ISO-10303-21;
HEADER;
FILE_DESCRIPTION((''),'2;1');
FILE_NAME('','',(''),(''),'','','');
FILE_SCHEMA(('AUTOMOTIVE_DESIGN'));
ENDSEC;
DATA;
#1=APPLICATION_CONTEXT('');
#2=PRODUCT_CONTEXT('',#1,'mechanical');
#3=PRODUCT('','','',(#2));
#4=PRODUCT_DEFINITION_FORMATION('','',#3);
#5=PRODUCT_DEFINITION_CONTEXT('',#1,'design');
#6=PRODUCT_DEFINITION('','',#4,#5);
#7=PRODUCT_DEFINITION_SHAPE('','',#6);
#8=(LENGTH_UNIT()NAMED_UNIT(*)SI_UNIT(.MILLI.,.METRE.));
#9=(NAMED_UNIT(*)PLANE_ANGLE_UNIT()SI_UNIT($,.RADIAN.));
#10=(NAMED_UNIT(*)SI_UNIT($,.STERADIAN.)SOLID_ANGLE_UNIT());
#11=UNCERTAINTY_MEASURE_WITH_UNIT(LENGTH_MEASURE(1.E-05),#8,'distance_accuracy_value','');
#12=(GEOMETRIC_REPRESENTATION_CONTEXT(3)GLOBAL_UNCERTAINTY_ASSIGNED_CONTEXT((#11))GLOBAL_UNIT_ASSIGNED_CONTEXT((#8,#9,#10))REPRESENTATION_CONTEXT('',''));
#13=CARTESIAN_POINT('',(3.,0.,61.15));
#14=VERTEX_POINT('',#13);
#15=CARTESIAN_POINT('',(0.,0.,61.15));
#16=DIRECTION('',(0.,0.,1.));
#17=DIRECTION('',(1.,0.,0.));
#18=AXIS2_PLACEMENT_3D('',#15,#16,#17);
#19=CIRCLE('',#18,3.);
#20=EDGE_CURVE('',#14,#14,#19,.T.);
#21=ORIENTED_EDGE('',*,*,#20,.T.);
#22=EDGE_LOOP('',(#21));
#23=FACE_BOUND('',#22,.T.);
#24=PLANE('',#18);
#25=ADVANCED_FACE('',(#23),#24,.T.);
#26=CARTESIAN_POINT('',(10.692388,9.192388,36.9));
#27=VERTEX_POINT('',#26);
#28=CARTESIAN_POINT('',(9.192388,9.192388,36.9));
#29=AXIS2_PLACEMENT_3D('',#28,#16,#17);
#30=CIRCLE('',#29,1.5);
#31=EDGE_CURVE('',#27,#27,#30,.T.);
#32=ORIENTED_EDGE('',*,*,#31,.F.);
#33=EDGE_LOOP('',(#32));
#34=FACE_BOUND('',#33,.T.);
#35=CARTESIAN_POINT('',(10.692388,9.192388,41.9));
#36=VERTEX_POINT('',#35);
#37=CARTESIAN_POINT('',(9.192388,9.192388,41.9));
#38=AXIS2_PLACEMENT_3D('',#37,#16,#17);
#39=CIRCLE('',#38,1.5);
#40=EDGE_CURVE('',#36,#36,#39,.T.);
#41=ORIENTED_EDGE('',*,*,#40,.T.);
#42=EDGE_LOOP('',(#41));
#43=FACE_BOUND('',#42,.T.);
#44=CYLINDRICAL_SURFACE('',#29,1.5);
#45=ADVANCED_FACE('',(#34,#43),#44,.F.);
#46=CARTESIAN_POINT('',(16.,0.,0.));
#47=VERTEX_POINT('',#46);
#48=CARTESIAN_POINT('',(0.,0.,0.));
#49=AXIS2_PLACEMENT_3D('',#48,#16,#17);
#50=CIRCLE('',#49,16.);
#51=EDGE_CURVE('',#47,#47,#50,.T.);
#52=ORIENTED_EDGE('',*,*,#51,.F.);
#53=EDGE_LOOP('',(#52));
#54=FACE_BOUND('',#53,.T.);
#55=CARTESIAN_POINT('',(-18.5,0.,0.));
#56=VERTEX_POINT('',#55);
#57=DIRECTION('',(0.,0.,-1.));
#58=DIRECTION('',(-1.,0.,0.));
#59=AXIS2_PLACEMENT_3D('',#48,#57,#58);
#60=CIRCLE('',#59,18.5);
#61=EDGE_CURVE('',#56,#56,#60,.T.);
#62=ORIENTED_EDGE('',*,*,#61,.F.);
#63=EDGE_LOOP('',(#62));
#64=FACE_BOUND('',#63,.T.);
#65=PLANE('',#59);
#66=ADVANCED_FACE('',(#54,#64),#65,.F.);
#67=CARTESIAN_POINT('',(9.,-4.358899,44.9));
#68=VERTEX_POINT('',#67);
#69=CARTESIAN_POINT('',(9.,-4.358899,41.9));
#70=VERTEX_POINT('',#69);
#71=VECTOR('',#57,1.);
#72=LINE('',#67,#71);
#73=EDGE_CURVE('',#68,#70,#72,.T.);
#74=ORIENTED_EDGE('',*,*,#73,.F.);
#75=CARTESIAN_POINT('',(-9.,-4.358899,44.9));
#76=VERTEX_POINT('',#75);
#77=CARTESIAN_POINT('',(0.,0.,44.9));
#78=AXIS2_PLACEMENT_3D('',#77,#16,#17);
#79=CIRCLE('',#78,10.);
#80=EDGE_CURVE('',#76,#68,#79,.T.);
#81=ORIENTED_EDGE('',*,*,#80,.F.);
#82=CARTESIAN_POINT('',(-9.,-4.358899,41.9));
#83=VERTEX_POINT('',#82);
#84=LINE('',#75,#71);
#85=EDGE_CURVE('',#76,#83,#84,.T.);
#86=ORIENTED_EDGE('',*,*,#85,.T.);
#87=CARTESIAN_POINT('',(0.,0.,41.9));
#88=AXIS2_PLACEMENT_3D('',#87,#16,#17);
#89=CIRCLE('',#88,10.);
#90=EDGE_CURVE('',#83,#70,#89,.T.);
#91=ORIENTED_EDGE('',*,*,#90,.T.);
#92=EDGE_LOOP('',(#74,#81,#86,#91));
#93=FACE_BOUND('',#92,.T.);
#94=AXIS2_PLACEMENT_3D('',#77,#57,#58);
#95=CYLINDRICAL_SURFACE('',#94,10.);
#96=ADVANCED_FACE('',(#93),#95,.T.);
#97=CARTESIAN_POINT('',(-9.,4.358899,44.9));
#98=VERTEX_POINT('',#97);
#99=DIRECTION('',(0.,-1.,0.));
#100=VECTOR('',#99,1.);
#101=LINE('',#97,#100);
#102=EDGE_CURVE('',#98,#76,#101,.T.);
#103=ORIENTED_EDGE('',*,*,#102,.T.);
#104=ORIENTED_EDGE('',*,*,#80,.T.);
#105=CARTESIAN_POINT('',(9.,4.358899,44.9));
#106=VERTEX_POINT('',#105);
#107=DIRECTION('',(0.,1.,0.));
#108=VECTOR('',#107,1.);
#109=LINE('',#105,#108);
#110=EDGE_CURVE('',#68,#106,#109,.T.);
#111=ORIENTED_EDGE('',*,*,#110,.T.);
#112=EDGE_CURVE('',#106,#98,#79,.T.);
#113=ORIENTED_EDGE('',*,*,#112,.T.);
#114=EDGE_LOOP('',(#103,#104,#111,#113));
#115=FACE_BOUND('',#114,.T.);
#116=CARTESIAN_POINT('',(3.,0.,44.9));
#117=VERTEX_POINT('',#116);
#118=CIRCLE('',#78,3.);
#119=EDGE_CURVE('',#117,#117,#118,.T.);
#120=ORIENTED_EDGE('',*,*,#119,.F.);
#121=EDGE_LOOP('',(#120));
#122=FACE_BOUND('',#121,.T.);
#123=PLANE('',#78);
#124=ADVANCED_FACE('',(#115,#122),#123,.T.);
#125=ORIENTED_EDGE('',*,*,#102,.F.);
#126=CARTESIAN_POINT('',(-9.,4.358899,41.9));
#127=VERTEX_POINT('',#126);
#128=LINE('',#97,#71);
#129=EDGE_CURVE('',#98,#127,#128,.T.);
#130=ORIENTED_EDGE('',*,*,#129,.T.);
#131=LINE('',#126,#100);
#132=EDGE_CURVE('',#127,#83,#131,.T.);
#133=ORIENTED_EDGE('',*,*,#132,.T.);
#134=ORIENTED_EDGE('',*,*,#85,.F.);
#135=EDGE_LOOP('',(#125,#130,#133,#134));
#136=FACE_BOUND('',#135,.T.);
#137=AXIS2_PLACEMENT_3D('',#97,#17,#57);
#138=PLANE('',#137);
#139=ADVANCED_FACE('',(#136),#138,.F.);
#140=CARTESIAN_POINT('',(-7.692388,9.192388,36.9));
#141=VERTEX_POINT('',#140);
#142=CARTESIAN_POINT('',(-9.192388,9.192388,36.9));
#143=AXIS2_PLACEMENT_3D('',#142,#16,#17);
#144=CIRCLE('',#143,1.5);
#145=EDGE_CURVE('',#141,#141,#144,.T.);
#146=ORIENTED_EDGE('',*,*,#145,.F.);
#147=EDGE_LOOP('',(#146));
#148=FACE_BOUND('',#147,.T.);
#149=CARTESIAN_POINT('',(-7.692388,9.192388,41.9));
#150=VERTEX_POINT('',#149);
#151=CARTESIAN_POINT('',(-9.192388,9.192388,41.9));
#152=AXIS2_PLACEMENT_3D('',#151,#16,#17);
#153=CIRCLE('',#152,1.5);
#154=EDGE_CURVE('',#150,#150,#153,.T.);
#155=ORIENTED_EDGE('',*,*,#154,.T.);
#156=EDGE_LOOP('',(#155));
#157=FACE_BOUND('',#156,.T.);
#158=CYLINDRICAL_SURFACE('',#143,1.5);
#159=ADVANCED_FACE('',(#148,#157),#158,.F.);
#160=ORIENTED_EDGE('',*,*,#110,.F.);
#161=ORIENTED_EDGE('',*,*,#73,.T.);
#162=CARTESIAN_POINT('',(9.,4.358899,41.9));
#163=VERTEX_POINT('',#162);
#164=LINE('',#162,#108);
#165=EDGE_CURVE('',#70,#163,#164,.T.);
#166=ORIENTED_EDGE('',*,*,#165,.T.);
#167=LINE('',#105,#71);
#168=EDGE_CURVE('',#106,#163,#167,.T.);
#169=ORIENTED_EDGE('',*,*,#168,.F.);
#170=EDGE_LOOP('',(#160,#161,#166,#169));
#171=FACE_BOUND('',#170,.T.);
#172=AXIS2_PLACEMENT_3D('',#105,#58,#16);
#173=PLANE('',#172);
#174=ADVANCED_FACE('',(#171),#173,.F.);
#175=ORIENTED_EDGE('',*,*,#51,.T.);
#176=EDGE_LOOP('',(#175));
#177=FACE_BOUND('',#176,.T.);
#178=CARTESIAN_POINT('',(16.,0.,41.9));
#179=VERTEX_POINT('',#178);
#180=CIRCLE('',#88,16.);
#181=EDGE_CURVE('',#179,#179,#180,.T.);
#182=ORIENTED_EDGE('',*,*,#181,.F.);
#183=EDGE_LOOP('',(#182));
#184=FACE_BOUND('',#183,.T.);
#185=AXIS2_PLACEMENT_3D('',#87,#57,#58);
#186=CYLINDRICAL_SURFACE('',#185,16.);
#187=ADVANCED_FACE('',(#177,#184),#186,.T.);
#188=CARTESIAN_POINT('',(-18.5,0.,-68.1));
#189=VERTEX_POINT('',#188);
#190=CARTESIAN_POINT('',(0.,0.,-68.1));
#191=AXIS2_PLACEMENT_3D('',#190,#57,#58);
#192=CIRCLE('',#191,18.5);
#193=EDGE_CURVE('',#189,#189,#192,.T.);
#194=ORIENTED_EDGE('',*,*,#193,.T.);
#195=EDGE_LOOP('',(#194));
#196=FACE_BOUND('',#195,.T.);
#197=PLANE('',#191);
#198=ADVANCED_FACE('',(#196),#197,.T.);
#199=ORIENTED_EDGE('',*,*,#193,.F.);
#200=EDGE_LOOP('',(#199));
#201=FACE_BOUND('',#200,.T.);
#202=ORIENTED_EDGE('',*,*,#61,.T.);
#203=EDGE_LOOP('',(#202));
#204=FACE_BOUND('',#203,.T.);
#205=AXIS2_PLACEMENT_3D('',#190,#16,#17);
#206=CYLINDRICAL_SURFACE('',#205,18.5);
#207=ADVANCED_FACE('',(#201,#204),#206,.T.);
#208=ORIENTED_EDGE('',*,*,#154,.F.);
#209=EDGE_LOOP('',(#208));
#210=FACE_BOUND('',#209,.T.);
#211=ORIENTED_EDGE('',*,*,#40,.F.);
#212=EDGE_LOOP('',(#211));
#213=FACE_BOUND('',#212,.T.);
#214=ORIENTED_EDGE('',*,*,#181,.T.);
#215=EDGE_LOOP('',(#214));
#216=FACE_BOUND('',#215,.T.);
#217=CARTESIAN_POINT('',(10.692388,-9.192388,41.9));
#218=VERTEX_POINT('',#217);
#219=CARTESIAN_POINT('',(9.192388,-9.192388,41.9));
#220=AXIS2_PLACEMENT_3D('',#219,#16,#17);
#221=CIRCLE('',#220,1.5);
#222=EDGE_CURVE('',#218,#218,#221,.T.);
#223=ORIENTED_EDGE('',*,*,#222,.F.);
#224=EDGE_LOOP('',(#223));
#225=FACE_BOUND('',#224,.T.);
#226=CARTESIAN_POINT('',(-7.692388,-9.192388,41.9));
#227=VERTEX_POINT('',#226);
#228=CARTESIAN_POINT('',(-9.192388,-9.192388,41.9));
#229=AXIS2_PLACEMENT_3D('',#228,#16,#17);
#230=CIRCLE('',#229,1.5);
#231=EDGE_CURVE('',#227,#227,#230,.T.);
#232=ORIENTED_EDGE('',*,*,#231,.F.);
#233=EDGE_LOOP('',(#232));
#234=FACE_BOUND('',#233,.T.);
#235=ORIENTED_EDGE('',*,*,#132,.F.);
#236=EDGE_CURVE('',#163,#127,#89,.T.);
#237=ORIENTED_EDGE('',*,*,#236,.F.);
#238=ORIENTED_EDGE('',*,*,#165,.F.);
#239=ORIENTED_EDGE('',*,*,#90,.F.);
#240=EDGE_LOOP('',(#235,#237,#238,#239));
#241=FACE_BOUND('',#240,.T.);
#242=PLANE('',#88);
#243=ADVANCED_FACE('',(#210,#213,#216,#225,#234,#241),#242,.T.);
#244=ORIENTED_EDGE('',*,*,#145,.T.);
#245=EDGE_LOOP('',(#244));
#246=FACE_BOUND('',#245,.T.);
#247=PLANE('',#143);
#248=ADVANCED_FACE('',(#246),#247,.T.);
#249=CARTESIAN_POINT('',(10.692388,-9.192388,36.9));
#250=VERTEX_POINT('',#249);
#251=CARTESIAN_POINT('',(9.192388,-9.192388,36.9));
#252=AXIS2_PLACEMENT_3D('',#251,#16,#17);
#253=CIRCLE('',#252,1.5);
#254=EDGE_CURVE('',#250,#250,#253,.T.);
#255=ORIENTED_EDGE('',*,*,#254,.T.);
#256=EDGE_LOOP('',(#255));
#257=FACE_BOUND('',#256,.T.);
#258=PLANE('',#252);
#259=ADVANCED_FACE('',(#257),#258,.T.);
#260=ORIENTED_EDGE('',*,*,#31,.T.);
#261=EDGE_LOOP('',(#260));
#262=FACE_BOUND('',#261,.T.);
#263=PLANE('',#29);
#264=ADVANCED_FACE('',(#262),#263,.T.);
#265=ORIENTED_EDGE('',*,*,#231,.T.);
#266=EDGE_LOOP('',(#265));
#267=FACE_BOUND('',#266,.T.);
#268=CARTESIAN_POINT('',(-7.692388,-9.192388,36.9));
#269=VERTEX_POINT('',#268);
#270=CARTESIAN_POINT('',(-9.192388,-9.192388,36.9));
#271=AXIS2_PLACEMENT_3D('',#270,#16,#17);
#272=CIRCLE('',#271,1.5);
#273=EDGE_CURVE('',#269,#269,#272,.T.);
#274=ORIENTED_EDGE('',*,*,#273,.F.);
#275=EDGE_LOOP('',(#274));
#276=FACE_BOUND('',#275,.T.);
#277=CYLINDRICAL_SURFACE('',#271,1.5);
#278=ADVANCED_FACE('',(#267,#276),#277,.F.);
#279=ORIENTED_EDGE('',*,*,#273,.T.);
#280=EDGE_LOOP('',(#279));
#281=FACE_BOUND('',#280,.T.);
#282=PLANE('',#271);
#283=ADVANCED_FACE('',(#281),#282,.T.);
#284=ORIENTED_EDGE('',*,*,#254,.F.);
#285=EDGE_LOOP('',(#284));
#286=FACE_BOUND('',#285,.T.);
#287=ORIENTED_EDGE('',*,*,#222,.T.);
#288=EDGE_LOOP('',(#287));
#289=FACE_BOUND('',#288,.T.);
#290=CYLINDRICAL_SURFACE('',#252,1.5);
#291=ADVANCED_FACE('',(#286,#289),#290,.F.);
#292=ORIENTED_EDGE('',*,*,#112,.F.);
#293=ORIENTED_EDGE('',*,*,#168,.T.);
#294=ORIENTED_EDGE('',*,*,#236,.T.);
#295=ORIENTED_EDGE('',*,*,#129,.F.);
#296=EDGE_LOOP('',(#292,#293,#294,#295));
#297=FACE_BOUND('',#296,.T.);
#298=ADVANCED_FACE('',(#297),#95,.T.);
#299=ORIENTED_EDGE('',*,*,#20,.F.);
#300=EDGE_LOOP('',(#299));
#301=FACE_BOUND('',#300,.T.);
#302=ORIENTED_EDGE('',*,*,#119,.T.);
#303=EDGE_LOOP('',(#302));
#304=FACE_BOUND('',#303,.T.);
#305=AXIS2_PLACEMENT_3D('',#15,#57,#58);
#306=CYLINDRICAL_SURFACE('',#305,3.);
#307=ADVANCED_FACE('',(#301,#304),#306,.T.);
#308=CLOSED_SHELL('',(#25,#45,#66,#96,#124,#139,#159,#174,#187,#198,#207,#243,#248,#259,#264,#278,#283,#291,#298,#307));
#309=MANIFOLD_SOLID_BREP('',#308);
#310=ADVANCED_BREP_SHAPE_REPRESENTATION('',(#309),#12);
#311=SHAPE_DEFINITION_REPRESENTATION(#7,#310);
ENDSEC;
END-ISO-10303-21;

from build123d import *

# Parameters (mm, degrees)
SKETCH1_R           = 16
BOSS_EXTRUDE1_DEPTH = 41.9
SKETCH2_R           = 1.5
CUT_EXTRUDE1_DEPTH  = 5
BOSS_EXTRUDE2_DEPTH = 3
SKETCH4_R           = 3
BOSS_EXTRUDE3_DEPTH = 16.25
SKETCH5_R           = 18.5
BOSS_EXTRUDE4_DEPTH = 68.1


with BuildPart() as part:
    # Sketch1 → Boss-Extrude1 (new body)
    with BuildSketch(Plane.XY):
        Circle(SKETCH1_R)
    extrude(amount=BOSS_EXTRUDE1_DEPTH)

    # Sketch2 → Cut-Extrude1 (cut)
    with BuildSketch(Plane.XY.offset(41.9)):
        with Locations((-9.192388155, 9.192388155)):
            Circle(SKETCH2_R)
        with Locations((9.192388155, 9.192388155)):
            Circle(SKETCH2_R)
        with Locations((9.192388155, -9.192388155)):
            Circle(SKETCH2_R)
        with Locations((-9.192388155, -9.192388155)):
            Circle(SKETCH2_R)
    extrude(amount=-CUT_EXTRUDE1_DEPTH, mode=Mode.SUBTRACT)

    # Sketch3 → Boss-Extrude2 (add)
    with BuildSketch(Plane.XY.offset(41.9)):
        with BuildLine():
            Line((9, 4.358898944), (9, -4.358898944))
            ThreePointArc((9, -4.358898944), (0, -10), (-9, -4.358898944))
            Line((-9, -4.358898944), (-9, 4.358898944))
            ThreePointArc((-9, 4.358898944), (0, 10), (9, 4.358898944))
        make_face()
    extrude(amount=BOSS_EXTRUDE2_DEPTH)

    # Sketch4 → Boss-Extrude3 (add)
    with BuildSketch(Plane.XY.offset(44.9)):
        Circle(SKETCH4_R)
    extrude(amount=BOSS_EXTRUDE3_DEPTH)

    # Sketch5 → Boss-Extrude4 (add)
    with BuildSketch(Plane(origin=(0, 0, 0), x_dir=(-1, 0, 0), z_dir=(0, 0, -1))):
        Circle(SKETCH5_R)
    extrude(amount=BOSS_EXTRUDE4_DEPTH)


solid = part.part
